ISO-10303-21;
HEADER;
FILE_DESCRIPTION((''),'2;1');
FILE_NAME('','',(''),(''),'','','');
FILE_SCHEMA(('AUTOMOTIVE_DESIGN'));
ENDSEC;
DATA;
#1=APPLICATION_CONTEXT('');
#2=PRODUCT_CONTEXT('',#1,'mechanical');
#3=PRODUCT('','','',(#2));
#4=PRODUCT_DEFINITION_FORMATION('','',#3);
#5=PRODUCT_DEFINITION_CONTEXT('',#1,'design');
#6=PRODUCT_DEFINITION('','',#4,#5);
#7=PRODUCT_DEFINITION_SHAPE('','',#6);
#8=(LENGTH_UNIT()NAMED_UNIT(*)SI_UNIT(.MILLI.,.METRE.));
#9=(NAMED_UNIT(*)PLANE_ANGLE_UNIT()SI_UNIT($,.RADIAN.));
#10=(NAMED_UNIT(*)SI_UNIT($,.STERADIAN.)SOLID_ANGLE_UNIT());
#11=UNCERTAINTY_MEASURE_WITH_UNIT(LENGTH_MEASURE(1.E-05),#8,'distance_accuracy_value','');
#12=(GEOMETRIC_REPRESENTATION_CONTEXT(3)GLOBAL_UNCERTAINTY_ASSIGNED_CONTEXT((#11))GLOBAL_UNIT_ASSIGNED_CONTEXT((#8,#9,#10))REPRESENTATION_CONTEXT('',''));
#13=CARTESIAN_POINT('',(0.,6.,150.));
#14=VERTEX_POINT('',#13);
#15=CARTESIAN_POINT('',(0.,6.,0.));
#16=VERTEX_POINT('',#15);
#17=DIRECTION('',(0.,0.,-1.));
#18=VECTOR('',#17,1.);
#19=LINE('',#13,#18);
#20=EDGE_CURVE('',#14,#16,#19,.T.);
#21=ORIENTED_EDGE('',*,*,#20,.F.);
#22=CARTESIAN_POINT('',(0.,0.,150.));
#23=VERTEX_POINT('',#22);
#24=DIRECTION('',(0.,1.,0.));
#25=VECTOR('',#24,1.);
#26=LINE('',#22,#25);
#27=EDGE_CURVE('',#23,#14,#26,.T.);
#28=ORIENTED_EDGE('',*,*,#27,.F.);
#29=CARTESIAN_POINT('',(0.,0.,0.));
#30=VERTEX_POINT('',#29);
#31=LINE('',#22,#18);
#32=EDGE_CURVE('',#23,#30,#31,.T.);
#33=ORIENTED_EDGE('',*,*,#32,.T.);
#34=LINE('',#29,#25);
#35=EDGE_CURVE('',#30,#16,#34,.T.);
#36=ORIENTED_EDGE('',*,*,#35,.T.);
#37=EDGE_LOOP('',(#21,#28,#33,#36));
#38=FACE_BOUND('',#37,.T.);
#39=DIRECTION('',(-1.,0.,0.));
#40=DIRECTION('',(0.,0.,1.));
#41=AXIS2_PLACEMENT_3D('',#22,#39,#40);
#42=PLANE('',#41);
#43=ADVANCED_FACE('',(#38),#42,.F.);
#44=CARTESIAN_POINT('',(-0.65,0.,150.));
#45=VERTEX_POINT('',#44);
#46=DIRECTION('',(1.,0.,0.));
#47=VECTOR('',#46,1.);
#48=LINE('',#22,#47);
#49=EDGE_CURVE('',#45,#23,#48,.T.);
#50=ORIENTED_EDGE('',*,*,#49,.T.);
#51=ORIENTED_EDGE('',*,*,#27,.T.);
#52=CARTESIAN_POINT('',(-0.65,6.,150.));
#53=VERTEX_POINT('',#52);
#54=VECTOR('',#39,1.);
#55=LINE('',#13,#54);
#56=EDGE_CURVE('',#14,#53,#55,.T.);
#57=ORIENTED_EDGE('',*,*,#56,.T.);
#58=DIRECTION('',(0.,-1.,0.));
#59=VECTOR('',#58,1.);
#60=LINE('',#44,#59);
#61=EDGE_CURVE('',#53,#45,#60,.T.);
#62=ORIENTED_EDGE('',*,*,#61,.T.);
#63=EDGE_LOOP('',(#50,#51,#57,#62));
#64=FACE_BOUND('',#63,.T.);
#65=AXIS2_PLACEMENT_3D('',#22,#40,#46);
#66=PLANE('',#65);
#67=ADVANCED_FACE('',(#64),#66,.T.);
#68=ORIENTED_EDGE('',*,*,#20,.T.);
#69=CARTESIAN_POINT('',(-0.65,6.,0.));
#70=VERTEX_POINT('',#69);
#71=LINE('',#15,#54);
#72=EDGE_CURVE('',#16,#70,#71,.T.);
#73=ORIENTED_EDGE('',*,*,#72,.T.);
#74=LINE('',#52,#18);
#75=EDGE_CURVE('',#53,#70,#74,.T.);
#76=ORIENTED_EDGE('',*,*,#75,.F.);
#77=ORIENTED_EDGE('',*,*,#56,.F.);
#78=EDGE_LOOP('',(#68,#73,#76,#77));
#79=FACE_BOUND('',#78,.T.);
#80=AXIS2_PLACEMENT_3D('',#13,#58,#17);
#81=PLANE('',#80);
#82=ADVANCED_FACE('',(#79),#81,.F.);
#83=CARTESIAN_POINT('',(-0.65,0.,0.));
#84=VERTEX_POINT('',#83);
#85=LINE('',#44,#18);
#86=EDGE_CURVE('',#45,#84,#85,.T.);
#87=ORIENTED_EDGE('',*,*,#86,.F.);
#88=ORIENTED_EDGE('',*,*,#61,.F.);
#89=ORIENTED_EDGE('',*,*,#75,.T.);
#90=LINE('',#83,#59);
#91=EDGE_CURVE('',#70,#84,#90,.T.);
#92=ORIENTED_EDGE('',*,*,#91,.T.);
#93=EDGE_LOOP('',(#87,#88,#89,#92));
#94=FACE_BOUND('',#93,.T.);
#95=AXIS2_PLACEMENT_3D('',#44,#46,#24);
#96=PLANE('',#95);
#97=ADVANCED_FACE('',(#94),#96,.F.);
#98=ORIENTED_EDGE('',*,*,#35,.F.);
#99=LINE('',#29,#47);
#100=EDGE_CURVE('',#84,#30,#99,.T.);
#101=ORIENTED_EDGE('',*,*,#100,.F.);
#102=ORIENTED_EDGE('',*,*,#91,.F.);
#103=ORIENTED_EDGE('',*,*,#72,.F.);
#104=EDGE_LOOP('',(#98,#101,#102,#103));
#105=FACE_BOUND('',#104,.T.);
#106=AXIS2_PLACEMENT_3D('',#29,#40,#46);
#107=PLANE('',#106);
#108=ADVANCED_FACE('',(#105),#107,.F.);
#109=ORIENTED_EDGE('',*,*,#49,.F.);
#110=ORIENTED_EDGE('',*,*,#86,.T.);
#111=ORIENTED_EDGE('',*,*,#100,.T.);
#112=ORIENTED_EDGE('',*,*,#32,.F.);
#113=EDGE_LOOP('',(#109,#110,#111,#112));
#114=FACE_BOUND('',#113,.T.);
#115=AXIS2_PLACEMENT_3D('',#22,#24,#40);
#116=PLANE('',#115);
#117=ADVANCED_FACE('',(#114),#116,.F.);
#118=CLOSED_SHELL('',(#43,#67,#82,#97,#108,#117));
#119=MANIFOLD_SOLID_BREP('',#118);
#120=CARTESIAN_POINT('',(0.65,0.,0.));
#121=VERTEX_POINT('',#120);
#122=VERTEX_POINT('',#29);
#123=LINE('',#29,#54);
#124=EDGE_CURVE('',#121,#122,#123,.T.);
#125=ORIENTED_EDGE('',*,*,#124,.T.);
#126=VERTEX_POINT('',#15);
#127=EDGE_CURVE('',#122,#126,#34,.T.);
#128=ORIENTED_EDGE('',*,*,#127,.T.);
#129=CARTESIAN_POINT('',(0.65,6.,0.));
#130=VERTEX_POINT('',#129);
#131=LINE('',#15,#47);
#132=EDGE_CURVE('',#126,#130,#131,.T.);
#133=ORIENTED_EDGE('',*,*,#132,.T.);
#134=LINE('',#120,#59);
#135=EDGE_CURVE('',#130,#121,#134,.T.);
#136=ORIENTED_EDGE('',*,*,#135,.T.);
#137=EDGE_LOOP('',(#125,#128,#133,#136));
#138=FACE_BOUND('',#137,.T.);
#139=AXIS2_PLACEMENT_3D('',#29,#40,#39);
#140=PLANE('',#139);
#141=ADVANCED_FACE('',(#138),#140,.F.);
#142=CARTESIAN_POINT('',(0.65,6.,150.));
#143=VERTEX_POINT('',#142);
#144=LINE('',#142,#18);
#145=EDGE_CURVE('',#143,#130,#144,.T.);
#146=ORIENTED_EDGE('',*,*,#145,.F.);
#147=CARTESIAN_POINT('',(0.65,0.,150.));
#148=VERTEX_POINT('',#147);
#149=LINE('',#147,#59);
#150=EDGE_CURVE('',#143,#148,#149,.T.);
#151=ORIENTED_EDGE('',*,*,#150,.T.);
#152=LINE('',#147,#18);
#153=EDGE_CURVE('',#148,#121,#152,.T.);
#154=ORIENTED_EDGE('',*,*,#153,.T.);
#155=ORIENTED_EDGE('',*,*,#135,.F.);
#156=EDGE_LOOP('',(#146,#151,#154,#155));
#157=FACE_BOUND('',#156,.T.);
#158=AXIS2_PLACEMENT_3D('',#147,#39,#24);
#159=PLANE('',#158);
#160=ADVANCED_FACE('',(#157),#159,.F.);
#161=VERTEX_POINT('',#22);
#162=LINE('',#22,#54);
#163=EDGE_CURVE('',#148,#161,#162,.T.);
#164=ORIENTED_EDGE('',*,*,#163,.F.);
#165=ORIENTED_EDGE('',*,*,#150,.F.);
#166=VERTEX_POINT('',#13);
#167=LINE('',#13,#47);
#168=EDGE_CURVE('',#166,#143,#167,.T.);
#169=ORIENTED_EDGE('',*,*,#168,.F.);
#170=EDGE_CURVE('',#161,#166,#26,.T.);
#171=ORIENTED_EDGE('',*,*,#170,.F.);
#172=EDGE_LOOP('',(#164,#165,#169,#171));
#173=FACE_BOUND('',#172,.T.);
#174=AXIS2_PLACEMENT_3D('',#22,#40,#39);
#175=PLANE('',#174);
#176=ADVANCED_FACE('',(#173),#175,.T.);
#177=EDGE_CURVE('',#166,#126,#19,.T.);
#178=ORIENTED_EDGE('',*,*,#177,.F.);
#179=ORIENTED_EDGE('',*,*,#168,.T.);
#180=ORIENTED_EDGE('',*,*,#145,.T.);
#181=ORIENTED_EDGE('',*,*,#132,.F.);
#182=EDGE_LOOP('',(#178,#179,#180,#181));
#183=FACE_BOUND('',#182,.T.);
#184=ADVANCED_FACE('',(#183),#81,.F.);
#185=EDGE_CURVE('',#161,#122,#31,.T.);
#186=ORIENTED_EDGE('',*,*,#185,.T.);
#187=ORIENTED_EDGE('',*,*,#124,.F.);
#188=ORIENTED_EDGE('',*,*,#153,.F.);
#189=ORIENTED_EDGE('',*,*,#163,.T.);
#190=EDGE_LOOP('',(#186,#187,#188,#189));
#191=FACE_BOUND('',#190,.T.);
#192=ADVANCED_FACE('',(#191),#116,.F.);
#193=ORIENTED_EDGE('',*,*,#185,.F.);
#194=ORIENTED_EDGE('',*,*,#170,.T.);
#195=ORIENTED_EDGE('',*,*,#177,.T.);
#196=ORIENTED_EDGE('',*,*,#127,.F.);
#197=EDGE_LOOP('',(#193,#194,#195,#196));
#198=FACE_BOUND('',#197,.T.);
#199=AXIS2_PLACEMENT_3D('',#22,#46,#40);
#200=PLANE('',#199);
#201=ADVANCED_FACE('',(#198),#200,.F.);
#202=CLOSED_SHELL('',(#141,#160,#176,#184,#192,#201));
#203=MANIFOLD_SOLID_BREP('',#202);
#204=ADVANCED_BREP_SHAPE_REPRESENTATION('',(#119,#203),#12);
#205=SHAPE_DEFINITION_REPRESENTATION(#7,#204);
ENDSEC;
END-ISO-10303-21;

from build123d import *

# Parameters (mm, degrees)
SKETCH1_W           = 0.65
SKETCH1_H           = 6
BOSS_EXTRUDE1_DEPTH = 150


with BuildPart() as part:
    # Sketch1 → Boss-Extrude1 (new body)
    with BuildSketch(Plane.XY):
        with Locations((-0.325, 3)):
            Rectangle(SKETCH1_W, SKETCH1_H)
    extrude(amount=BOSS_EXTRUDE1_DEPTH)


with BuildPart() as body_2:
    # Mirror2: mirrored copy
    add(part.part.mirror(Plane(origin=(0, 0, 150), x_dir=(0, 0, 1), z_dir=(-1, 0, 0))))


solid = Compound([part.part, body_2.part])
